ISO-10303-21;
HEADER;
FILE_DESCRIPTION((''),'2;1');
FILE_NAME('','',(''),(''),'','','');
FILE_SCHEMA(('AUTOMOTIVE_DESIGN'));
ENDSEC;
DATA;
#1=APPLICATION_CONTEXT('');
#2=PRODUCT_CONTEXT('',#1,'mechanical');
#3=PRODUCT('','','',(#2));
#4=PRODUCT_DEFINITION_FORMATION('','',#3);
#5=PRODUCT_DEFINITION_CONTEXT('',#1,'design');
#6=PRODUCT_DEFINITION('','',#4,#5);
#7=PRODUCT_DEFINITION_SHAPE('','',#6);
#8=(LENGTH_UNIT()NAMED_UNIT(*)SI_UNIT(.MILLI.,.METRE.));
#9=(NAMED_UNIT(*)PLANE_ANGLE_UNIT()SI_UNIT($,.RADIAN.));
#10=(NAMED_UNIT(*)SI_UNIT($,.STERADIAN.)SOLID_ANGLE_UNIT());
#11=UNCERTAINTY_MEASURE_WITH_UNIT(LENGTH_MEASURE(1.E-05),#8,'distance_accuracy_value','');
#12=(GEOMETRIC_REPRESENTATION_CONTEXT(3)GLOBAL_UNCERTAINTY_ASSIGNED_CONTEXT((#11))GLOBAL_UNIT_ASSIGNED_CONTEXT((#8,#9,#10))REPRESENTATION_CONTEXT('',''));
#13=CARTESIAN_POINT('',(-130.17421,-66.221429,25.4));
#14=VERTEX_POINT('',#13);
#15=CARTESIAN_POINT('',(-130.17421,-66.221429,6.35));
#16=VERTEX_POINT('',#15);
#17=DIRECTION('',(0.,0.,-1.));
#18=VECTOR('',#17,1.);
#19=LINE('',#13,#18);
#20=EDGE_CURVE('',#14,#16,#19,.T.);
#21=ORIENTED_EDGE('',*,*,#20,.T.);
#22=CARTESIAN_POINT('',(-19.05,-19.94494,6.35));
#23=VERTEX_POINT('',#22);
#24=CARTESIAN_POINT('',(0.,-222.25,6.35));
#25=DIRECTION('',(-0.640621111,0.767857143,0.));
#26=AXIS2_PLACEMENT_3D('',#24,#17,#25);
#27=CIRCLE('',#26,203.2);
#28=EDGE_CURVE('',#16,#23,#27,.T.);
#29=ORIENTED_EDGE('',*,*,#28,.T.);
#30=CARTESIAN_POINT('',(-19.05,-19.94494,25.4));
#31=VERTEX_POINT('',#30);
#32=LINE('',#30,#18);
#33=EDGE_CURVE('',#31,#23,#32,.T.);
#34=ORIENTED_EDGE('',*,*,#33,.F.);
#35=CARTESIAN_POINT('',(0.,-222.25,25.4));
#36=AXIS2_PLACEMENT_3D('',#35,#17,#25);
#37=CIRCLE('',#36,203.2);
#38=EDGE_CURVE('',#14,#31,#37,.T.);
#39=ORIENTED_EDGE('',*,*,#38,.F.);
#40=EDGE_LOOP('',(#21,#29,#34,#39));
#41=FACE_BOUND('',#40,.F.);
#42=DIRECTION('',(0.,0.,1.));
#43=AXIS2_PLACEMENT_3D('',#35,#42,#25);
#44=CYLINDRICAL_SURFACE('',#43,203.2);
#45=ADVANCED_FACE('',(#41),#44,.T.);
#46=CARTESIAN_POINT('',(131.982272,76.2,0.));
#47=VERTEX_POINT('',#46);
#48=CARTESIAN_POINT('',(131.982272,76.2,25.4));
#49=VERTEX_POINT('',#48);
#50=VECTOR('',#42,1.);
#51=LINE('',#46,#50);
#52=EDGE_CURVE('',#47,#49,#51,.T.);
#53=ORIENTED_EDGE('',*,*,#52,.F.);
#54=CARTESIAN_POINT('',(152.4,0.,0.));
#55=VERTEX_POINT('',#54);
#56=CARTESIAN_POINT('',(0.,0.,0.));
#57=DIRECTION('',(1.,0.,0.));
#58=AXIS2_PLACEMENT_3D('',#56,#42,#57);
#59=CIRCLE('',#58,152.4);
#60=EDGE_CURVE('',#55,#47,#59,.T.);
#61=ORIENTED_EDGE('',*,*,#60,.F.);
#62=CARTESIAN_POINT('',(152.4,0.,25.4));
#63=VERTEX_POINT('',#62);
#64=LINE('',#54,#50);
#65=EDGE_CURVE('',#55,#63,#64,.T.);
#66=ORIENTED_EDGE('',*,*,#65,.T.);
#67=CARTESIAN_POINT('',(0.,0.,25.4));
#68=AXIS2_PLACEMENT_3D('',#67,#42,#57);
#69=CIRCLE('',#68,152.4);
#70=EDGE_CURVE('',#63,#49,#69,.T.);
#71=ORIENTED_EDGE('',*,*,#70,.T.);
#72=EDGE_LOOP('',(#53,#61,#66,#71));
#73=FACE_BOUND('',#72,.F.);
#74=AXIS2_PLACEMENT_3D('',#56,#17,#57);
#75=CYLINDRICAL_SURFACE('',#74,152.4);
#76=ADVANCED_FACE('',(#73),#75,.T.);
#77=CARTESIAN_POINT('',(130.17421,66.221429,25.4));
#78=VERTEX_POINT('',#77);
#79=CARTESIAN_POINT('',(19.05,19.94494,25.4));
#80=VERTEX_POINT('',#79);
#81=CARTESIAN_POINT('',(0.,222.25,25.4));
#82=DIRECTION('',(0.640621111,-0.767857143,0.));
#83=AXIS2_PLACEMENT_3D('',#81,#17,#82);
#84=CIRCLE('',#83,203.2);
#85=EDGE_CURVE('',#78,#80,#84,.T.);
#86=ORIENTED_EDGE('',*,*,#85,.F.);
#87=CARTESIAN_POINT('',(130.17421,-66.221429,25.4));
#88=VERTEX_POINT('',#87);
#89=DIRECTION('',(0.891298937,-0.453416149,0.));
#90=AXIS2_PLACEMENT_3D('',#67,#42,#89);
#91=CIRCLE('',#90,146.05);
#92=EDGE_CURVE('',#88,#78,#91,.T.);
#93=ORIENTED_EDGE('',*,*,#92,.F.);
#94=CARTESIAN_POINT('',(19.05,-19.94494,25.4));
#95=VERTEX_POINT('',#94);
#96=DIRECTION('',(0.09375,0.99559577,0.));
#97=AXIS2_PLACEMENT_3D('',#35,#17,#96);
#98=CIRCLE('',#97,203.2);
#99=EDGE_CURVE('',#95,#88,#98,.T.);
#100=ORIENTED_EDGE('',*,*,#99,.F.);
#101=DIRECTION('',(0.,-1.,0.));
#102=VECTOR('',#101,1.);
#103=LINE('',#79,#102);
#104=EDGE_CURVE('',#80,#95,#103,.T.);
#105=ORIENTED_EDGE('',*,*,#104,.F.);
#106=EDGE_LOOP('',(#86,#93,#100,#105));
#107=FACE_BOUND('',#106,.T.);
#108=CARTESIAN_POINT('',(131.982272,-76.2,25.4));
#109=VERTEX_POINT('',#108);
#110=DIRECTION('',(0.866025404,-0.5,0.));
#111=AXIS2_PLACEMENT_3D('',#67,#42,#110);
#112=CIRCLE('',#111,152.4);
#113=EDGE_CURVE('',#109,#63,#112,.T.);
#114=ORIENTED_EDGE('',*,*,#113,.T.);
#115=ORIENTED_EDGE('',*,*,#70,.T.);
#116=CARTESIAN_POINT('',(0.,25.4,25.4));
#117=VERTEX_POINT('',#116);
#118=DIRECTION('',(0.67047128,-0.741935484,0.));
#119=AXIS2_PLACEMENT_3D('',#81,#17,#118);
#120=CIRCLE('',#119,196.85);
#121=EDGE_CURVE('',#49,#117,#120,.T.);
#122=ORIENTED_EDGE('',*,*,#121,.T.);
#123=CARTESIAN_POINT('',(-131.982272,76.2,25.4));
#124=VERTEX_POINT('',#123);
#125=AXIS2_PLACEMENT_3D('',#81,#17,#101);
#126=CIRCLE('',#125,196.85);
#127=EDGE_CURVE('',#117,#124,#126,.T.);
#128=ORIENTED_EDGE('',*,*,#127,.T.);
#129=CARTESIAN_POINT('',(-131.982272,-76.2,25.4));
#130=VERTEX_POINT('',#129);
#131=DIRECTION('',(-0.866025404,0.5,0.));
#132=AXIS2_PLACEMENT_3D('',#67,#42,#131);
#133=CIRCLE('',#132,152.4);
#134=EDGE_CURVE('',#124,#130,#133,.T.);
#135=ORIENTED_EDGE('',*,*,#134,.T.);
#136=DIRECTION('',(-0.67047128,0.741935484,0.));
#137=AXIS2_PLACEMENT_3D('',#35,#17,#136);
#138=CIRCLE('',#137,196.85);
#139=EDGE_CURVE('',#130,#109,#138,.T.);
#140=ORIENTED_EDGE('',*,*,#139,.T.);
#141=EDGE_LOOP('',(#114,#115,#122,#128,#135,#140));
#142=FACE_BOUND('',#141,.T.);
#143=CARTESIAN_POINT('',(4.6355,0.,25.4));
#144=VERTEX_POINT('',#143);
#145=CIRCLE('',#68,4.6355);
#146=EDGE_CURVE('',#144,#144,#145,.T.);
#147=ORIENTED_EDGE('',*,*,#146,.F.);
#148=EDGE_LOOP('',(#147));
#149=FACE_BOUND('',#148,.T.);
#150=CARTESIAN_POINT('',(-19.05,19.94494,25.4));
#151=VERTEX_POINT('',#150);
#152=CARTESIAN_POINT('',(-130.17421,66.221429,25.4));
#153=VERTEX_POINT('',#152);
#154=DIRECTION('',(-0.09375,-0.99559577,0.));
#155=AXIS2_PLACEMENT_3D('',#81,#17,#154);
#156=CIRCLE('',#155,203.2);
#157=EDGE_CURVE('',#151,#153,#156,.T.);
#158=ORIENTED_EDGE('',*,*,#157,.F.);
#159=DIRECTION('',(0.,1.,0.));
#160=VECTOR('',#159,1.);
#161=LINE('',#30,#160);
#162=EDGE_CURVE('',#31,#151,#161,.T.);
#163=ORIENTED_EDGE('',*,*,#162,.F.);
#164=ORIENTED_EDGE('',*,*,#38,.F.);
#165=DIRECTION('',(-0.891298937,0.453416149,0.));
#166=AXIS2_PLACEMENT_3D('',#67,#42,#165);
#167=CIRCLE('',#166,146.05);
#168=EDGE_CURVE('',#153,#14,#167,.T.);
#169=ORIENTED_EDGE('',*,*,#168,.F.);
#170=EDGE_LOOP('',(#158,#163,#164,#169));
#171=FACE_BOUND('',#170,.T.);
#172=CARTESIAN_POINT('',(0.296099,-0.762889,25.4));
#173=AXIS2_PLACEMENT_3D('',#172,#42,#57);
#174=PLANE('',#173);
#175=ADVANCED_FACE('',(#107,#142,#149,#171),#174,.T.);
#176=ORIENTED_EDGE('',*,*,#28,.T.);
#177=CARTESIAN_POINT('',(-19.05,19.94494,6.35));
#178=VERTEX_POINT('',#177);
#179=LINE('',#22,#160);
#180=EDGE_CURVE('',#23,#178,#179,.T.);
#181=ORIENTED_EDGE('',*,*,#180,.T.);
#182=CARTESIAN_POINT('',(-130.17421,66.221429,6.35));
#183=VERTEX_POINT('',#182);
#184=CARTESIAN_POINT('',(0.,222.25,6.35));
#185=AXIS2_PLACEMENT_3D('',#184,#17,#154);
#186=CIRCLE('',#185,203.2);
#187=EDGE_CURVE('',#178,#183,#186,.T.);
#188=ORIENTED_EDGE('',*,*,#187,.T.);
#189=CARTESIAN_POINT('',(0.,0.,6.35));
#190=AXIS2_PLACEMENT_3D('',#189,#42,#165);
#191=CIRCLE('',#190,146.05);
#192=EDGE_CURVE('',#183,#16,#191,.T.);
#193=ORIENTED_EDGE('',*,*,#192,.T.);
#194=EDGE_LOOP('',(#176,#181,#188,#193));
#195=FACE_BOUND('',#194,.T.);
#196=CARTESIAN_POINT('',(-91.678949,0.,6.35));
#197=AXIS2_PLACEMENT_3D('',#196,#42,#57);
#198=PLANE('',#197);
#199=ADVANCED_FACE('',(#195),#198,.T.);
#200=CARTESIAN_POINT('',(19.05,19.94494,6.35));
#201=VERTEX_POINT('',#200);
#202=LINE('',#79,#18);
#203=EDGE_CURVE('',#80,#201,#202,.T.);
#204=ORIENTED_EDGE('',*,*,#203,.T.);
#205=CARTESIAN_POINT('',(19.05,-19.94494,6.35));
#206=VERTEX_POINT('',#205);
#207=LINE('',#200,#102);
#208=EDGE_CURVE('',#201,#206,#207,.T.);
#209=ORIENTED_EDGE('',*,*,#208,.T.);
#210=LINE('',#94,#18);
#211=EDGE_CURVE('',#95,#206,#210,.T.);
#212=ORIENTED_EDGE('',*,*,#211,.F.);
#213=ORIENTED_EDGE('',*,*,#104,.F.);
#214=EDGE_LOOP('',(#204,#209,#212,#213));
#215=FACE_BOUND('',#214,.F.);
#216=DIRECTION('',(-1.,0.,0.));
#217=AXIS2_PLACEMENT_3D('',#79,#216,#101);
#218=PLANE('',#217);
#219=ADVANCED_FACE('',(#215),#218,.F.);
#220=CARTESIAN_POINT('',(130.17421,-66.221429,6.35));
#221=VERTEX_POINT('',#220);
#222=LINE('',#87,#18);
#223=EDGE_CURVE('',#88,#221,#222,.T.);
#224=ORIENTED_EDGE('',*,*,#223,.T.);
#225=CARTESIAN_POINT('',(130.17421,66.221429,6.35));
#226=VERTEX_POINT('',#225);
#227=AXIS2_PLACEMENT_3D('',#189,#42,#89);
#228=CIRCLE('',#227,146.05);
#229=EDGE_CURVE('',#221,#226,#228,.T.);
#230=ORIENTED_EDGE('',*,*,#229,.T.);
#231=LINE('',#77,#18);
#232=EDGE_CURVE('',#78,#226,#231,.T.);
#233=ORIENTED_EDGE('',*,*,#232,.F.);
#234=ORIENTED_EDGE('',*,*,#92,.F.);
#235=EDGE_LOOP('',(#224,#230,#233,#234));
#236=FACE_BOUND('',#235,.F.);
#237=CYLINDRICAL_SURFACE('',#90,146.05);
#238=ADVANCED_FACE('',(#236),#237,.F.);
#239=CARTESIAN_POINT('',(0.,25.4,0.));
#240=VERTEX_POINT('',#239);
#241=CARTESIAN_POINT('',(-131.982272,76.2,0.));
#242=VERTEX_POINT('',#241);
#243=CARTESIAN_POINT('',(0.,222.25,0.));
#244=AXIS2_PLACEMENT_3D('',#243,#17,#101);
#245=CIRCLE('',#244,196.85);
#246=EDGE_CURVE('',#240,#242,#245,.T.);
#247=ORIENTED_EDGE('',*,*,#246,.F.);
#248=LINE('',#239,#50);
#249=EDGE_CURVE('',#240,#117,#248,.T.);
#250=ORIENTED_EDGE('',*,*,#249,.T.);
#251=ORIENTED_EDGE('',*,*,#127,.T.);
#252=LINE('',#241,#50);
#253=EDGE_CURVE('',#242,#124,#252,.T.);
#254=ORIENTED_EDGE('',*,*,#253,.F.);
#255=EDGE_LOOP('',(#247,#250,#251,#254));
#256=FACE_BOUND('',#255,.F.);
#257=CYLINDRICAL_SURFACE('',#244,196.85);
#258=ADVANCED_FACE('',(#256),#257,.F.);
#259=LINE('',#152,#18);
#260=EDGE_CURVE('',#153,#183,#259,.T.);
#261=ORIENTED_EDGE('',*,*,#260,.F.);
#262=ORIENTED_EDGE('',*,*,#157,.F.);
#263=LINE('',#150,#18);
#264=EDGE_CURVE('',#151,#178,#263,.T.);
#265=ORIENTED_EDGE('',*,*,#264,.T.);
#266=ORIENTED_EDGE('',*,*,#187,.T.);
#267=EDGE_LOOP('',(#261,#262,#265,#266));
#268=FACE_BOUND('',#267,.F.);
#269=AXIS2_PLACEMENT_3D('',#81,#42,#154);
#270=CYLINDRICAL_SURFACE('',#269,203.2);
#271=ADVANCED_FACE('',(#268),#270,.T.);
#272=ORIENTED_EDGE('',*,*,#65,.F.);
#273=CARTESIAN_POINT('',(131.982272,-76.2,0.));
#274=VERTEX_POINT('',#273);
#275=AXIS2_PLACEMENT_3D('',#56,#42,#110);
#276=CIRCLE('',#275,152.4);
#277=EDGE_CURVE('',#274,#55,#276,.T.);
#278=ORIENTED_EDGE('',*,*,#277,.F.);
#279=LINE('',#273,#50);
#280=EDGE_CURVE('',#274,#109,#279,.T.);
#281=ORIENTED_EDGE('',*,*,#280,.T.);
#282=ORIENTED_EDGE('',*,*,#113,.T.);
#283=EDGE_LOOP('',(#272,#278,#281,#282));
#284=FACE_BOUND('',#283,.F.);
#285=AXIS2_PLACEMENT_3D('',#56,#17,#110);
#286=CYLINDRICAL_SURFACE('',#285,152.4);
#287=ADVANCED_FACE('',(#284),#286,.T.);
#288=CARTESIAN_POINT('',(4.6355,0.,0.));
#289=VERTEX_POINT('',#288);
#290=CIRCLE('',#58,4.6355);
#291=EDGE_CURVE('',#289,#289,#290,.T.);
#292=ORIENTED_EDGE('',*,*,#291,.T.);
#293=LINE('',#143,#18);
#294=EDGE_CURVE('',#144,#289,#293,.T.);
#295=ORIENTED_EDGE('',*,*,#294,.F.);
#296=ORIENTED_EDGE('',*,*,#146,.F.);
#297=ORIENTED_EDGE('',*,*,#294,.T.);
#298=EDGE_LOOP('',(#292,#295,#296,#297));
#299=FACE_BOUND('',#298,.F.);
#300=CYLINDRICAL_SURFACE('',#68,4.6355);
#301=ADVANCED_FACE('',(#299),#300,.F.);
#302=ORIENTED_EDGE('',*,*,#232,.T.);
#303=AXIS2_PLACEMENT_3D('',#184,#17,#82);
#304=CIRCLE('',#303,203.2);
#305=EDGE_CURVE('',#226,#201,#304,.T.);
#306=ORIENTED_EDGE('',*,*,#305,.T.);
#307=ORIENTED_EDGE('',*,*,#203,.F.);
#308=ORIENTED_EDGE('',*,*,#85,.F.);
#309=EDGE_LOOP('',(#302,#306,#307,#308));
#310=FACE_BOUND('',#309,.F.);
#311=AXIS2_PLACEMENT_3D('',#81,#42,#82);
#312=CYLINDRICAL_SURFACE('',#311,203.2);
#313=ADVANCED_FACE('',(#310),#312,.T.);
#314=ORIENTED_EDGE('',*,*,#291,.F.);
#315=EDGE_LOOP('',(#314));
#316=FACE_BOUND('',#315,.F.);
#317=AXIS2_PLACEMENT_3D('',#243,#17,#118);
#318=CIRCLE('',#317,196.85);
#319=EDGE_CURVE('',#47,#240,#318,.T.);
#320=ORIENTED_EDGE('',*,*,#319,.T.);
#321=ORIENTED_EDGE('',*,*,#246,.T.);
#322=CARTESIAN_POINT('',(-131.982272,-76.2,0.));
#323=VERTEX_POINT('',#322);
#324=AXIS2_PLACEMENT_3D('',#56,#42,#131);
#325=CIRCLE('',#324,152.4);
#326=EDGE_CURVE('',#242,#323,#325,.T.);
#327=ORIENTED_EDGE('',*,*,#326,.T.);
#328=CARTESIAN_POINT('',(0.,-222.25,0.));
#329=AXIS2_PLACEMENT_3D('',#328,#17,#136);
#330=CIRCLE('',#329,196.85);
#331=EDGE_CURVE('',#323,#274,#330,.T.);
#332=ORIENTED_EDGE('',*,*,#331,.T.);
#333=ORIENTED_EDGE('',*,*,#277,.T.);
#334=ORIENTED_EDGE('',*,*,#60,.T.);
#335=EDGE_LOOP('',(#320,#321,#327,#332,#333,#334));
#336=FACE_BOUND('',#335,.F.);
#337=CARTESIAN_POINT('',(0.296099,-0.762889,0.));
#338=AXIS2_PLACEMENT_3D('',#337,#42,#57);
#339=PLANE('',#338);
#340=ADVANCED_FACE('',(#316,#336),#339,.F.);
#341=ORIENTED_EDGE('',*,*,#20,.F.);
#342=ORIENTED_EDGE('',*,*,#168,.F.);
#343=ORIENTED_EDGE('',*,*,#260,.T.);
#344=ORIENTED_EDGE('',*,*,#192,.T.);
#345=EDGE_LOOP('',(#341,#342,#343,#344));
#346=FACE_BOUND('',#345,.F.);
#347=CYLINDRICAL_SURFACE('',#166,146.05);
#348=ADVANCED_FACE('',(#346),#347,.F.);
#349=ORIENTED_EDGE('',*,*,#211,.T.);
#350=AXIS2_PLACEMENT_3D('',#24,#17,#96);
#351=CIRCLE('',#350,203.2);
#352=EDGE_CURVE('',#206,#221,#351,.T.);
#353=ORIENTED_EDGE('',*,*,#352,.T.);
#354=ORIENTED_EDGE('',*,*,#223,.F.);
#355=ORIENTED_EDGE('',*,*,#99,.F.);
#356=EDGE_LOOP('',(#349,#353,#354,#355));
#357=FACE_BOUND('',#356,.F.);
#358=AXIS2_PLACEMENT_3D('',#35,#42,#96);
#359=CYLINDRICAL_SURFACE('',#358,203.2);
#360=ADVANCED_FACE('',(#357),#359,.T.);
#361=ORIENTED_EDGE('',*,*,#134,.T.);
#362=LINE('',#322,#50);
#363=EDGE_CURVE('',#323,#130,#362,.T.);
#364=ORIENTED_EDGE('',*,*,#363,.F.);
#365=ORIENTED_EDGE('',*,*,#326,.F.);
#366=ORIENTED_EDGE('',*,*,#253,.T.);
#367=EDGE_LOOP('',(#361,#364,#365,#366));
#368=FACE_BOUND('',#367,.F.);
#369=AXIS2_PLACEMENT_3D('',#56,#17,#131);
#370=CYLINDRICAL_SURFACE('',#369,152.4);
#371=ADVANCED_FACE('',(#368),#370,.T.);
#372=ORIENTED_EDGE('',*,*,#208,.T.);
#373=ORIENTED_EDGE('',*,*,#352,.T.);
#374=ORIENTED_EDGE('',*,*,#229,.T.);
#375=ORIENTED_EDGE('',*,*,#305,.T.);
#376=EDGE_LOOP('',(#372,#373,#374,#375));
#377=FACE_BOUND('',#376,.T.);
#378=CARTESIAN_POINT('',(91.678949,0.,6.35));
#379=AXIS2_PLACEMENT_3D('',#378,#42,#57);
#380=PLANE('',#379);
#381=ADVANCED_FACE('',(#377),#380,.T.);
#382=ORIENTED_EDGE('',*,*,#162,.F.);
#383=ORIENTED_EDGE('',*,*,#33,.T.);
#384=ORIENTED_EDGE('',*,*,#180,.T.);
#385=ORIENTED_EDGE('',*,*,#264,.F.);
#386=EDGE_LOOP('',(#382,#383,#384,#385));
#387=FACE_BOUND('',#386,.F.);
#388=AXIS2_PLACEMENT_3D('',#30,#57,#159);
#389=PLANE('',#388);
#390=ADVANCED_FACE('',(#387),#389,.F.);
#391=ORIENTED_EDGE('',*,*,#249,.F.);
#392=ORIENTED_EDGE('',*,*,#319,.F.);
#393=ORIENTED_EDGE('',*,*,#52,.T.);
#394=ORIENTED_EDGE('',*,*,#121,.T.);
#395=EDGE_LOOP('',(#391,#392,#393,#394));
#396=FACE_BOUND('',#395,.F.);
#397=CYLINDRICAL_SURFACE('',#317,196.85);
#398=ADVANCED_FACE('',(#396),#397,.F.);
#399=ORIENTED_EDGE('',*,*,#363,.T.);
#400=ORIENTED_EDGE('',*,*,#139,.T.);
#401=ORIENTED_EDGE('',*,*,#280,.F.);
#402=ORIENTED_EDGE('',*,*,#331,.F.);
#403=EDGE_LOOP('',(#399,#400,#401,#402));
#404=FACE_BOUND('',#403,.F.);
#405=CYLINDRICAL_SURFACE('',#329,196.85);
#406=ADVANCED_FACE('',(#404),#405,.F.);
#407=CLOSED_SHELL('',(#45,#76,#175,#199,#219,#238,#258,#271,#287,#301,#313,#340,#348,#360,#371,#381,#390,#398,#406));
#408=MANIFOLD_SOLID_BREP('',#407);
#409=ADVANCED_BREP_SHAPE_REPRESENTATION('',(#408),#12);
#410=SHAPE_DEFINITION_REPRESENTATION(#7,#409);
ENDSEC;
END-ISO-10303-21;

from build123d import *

# Parameters (mm, degrees)
F1_DEPTH = 25.4
F3_DEPTH = 19.05
F4_R     = 4.6355
F5_DEPTH = 25.4


with BuildPart() as f1:
    # F0 (on Top) → F1 (new body)
    with BuildSketch(Plane.XY):
        with BuildLine():
            ThreePointArc((131.9822715367, -76.2), (147.2070959265, -39.4440224736), (152.4, 0))
            ThreePointArc((152.4, 0), (147.2070959265, 39.4440224736), (131.9822715368, 76.2))
            ThreePointArc((131.9822715367, 76.2), (70.7106074079, 38.5384530031), (0, 25.4))
            ThreePointArc((0, 25.4), (-70.7106074079, 38.5384530031), (-131.9822715367, 76.2))
            ThreePointArc((-131.9822715368, 76.2), (-152.4, 0), (-131.9822715367, -76.2))
            ThreePointArc((-131.9822715367, -76.2), (0, -25.4), (131.9822715367, -76.2))
        make_face()
    extrude(amount=F1_DEPTH)

    # F2 (on face) → F3 (cut)
    with BuildSketch(Plane.XY.offset(25.4)):
        with BuildLine():
            ThreePointArc((-19.05, 19.9449395097), (-78.1175048106, 34.6656311359), (-130.1742098035, 66.2214285714))
            ThreePointArc((-130.1742098035, 66.2214285714), (-146.05, 0), (-130.1742098035, -66.2214285714))
            ThreePointArc((-130.1742098035, -66.2214285714), (-78.1175048106, -34.6656311359), (-19.05, -19.9449395097))
            Line((-19.05, -19.9449395097), (-19.05, 0))
            Line((-19.05, 0), (-19.05, 19.9449395097))
        make_face()
        with BuildLine():
            ThreePointArc((19.05, -19.9449395097), (78.1175048106, -34.6656311359), (130.1742098035, -66.2214285714))
            ThreePointArc((130.1742098035, -66.2214285714), (146.05, 0), (130.1742098035, 66.2214285714))
            ThreePointArc((130.1742098035, 66.2214285714), (78.1175048106, 34.6656311359), (19.05, 19.9449395097))
            Line((19.05, 19.9449395097), (19.05, 0))
            Line((19.05, 0), (19.05, -19.9449395097))
        make_face()
    extrude(amount=-F3_DEPTH, mode=Mode.SUBTRACT)

    # F4 (on face) → F5 (cut, through all)
    with BuildSketch(Plane.XY.offset(25.4)):
        Circle(F4_R)
    extrude(amount=-F5_DEPTH, mode=Mode.SUBTRACT)


solid = f1.part
